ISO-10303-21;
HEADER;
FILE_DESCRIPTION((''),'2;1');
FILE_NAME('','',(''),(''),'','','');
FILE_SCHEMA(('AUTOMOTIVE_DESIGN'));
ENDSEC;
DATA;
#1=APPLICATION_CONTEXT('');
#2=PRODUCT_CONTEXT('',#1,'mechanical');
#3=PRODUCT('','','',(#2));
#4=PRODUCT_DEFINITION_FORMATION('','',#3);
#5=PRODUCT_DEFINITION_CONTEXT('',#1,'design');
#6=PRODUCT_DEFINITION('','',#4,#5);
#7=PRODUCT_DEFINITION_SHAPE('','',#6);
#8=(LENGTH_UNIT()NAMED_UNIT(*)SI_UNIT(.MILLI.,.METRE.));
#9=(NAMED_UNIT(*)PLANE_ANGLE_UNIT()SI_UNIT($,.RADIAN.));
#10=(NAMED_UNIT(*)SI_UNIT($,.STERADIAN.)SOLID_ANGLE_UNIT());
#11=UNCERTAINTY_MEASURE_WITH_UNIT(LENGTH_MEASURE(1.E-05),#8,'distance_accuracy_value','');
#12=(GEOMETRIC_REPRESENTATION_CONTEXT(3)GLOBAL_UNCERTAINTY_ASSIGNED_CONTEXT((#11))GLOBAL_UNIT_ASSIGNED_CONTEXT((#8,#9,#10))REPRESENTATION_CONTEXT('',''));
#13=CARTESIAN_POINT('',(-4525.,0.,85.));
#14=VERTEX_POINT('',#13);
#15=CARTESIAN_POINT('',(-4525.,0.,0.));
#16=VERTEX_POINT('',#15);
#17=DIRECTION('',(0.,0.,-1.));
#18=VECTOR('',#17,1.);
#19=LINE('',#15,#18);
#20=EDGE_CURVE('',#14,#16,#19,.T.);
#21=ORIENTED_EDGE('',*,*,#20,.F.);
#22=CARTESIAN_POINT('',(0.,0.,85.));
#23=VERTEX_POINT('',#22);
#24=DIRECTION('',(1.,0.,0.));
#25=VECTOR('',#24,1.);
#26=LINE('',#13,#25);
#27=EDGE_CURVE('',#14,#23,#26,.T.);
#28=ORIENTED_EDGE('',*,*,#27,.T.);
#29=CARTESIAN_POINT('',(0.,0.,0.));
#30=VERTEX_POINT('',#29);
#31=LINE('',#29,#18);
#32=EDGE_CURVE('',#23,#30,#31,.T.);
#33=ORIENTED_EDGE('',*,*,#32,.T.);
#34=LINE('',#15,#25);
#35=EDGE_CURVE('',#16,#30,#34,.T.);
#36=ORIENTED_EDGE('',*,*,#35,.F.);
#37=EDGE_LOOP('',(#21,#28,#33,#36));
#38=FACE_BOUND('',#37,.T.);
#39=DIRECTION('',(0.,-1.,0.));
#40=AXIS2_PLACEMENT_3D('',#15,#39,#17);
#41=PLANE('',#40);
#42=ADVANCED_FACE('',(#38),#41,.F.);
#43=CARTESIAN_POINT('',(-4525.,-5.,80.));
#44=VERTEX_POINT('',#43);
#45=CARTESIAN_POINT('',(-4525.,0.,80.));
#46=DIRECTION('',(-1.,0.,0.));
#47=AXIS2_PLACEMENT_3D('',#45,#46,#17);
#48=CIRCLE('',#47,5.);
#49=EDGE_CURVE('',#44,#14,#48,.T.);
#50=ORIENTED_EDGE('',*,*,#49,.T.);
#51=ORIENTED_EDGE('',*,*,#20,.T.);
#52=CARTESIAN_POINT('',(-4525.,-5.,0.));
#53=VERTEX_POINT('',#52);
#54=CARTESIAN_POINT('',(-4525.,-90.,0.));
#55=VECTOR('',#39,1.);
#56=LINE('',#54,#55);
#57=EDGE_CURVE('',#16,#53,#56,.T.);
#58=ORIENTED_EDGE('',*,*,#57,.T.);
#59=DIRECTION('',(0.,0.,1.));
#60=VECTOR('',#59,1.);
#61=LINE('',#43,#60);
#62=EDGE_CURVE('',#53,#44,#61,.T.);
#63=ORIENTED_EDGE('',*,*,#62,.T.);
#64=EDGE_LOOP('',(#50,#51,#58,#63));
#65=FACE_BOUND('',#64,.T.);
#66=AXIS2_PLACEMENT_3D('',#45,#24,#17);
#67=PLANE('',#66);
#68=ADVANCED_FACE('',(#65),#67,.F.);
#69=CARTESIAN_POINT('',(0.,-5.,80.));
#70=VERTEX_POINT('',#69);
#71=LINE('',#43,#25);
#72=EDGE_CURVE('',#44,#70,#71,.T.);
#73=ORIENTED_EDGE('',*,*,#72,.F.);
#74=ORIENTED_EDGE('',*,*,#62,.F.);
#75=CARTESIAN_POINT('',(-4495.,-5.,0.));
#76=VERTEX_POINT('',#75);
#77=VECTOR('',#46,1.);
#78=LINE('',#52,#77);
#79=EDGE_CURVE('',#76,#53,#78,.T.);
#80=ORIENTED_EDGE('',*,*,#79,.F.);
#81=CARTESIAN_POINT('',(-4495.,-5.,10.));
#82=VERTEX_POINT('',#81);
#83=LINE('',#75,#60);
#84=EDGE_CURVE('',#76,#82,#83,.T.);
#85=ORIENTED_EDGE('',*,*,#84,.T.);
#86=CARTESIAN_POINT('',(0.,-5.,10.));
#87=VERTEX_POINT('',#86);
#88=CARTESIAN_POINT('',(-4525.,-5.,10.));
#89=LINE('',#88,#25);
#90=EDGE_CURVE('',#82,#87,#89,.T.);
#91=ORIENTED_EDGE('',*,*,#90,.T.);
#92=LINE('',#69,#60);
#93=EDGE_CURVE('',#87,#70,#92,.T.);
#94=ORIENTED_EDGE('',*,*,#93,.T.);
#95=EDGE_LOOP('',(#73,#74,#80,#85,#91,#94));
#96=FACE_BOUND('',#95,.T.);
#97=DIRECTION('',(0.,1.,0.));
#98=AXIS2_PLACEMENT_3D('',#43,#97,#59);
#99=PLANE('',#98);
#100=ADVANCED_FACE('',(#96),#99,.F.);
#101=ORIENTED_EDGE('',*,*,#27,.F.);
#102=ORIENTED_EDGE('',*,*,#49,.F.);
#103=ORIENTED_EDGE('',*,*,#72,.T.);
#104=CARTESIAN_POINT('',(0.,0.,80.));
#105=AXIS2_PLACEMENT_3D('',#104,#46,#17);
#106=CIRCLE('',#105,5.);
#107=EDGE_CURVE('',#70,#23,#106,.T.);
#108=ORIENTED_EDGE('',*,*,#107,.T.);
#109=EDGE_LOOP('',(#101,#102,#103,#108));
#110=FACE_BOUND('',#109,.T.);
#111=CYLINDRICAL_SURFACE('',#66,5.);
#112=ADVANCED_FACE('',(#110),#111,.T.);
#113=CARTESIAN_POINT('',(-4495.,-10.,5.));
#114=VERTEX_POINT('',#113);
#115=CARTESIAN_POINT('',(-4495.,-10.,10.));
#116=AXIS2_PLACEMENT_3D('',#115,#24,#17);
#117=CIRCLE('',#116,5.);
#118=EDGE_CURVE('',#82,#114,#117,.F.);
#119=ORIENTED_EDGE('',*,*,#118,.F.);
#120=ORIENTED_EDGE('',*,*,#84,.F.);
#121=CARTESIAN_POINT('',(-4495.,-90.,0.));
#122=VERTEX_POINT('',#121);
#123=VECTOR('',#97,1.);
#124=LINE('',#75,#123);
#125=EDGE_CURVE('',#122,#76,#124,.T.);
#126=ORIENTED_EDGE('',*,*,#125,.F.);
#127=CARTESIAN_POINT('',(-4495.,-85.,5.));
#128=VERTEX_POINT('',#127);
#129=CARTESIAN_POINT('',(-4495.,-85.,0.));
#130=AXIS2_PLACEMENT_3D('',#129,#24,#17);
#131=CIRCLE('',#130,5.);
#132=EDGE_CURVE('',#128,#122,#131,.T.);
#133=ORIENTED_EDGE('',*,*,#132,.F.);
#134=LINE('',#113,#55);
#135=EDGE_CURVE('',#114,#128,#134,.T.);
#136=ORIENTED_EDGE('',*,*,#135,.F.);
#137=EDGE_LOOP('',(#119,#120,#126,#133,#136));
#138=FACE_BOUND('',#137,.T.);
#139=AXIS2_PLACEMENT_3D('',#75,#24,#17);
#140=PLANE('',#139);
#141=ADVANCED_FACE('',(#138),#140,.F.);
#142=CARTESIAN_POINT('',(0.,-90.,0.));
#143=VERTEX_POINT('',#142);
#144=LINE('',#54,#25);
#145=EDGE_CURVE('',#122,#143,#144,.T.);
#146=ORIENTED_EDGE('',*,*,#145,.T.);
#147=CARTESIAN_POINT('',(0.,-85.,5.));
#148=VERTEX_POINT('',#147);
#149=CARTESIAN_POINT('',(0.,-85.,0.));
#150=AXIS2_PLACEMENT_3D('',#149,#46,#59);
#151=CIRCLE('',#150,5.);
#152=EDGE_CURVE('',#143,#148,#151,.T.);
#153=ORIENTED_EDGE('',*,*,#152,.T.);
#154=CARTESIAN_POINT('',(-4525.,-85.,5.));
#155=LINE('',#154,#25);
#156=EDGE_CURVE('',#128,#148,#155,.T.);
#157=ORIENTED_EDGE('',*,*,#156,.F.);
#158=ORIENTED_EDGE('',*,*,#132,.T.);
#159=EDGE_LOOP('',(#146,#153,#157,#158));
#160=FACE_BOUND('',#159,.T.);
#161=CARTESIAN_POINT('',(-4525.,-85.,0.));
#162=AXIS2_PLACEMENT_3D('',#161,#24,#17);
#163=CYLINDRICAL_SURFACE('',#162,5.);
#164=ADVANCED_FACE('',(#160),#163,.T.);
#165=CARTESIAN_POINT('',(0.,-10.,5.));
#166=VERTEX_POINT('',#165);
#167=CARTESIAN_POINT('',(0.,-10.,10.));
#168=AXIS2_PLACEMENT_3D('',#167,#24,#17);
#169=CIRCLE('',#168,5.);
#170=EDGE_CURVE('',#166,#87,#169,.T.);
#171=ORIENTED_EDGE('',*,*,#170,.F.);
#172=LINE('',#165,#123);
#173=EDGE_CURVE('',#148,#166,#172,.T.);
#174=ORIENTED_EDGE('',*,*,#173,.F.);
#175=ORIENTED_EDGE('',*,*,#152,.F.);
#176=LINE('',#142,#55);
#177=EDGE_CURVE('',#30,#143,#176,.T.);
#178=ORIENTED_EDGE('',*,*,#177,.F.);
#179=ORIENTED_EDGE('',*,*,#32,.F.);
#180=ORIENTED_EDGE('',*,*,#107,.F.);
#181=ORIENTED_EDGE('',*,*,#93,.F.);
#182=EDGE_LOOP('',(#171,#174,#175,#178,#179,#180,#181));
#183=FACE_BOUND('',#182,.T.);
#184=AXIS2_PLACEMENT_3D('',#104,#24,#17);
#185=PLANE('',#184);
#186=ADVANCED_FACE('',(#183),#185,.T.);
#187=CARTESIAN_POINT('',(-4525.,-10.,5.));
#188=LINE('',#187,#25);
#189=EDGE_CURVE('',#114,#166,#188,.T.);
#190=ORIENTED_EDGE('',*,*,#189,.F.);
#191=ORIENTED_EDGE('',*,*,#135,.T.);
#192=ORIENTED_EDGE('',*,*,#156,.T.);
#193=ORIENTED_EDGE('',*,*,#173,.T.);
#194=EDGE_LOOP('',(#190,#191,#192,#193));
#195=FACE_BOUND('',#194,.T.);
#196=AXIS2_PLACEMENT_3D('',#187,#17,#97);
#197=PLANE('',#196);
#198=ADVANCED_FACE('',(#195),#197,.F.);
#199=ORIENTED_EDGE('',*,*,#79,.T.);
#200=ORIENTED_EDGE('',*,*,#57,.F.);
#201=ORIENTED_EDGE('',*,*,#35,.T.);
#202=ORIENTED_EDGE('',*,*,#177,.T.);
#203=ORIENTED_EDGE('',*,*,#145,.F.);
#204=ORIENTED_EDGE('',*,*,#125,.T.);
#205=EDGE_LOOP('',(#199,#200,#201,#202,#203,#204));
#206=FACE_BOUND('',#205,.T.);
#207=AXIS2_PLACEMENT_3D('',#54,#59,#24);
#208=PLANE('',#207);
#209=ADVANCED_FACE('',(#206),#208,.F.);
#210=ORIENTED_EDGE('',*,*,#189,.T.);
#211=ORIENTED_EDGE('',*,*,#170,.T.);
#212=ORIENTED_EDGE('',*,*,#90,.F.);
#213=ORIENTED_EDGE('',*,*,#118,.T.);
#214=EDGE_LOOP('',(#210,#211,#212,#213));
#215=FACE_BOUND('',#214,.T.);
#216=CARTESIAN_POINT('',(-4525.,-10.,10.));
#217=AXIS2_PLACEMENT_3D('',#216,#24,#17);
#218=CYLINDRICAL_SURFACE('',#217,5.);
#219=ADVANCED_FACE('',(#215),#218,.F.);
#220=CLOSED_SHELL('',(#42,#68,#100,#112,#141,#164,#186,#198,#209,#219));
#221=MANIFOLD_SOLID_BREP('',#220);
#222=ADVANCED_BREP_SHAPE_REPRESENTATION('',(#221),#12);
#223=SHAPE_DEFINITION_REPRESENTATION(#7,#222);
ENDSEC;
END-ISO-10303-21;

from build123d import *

# Parameters (mm, degrees)
ANGLE_IRON_35_X_35_X_5_2_DEPTH = 4525
CUT_EXTRUDE2_DEPTH             = 4527.60192639
CUT_EXTRUDE2_DEPTH_BACK        = 4527.60192639
SKETCH15_W                     = 30
SKETCH15_H                     = 85


with BuildPart() as part:
    # Sketch13 → Angle iron 35 X 35 X 5(2) (new body)
    with BuildSketch(Plane(origin=(0, 0, 0), x_dir=(0, -1, 0), z_dir=(-1, 0, 0))):
        with BuildLine():
            Line((0, 0), (0, 85))
            ThreePointArc((0, 85), (3.535533906, 83.535533906), (5, 80))
            Line((5, 80), (5, 10))
            ThreePointArc((5, 10), (6.464466094, 6.464466094), (10, 5))
            Line((10, 5), (85, 5))
            ThreePointArc((85, 5), (88.535533906, 3.535533906), (90, 0))
            Line((90, 0), (0, 0))
        make_face()
    extrude(amount=ANGLE_IRON_35_X_35_X_5_2_DEPTH)

    # Sketch15 → Cut-Extrude2 (cut, two sides: drawn at the far end of the back side and taken through both)
    with BuildSketch(Plane.XY.offset(5).offset(-CUT_EXTRUDE2_DEPTH_BACK)):
        with Locations((-4510, -47.5)):
            Rectangle(SKETCH15_W, SKETCH15_H)
    extrude(amount=CUT_EXTRUDE2_DEPTH + CUT_EXTRUDE2_DEPTH_BACK, mode=Mode.SUBTRACT)


solid = part.part
